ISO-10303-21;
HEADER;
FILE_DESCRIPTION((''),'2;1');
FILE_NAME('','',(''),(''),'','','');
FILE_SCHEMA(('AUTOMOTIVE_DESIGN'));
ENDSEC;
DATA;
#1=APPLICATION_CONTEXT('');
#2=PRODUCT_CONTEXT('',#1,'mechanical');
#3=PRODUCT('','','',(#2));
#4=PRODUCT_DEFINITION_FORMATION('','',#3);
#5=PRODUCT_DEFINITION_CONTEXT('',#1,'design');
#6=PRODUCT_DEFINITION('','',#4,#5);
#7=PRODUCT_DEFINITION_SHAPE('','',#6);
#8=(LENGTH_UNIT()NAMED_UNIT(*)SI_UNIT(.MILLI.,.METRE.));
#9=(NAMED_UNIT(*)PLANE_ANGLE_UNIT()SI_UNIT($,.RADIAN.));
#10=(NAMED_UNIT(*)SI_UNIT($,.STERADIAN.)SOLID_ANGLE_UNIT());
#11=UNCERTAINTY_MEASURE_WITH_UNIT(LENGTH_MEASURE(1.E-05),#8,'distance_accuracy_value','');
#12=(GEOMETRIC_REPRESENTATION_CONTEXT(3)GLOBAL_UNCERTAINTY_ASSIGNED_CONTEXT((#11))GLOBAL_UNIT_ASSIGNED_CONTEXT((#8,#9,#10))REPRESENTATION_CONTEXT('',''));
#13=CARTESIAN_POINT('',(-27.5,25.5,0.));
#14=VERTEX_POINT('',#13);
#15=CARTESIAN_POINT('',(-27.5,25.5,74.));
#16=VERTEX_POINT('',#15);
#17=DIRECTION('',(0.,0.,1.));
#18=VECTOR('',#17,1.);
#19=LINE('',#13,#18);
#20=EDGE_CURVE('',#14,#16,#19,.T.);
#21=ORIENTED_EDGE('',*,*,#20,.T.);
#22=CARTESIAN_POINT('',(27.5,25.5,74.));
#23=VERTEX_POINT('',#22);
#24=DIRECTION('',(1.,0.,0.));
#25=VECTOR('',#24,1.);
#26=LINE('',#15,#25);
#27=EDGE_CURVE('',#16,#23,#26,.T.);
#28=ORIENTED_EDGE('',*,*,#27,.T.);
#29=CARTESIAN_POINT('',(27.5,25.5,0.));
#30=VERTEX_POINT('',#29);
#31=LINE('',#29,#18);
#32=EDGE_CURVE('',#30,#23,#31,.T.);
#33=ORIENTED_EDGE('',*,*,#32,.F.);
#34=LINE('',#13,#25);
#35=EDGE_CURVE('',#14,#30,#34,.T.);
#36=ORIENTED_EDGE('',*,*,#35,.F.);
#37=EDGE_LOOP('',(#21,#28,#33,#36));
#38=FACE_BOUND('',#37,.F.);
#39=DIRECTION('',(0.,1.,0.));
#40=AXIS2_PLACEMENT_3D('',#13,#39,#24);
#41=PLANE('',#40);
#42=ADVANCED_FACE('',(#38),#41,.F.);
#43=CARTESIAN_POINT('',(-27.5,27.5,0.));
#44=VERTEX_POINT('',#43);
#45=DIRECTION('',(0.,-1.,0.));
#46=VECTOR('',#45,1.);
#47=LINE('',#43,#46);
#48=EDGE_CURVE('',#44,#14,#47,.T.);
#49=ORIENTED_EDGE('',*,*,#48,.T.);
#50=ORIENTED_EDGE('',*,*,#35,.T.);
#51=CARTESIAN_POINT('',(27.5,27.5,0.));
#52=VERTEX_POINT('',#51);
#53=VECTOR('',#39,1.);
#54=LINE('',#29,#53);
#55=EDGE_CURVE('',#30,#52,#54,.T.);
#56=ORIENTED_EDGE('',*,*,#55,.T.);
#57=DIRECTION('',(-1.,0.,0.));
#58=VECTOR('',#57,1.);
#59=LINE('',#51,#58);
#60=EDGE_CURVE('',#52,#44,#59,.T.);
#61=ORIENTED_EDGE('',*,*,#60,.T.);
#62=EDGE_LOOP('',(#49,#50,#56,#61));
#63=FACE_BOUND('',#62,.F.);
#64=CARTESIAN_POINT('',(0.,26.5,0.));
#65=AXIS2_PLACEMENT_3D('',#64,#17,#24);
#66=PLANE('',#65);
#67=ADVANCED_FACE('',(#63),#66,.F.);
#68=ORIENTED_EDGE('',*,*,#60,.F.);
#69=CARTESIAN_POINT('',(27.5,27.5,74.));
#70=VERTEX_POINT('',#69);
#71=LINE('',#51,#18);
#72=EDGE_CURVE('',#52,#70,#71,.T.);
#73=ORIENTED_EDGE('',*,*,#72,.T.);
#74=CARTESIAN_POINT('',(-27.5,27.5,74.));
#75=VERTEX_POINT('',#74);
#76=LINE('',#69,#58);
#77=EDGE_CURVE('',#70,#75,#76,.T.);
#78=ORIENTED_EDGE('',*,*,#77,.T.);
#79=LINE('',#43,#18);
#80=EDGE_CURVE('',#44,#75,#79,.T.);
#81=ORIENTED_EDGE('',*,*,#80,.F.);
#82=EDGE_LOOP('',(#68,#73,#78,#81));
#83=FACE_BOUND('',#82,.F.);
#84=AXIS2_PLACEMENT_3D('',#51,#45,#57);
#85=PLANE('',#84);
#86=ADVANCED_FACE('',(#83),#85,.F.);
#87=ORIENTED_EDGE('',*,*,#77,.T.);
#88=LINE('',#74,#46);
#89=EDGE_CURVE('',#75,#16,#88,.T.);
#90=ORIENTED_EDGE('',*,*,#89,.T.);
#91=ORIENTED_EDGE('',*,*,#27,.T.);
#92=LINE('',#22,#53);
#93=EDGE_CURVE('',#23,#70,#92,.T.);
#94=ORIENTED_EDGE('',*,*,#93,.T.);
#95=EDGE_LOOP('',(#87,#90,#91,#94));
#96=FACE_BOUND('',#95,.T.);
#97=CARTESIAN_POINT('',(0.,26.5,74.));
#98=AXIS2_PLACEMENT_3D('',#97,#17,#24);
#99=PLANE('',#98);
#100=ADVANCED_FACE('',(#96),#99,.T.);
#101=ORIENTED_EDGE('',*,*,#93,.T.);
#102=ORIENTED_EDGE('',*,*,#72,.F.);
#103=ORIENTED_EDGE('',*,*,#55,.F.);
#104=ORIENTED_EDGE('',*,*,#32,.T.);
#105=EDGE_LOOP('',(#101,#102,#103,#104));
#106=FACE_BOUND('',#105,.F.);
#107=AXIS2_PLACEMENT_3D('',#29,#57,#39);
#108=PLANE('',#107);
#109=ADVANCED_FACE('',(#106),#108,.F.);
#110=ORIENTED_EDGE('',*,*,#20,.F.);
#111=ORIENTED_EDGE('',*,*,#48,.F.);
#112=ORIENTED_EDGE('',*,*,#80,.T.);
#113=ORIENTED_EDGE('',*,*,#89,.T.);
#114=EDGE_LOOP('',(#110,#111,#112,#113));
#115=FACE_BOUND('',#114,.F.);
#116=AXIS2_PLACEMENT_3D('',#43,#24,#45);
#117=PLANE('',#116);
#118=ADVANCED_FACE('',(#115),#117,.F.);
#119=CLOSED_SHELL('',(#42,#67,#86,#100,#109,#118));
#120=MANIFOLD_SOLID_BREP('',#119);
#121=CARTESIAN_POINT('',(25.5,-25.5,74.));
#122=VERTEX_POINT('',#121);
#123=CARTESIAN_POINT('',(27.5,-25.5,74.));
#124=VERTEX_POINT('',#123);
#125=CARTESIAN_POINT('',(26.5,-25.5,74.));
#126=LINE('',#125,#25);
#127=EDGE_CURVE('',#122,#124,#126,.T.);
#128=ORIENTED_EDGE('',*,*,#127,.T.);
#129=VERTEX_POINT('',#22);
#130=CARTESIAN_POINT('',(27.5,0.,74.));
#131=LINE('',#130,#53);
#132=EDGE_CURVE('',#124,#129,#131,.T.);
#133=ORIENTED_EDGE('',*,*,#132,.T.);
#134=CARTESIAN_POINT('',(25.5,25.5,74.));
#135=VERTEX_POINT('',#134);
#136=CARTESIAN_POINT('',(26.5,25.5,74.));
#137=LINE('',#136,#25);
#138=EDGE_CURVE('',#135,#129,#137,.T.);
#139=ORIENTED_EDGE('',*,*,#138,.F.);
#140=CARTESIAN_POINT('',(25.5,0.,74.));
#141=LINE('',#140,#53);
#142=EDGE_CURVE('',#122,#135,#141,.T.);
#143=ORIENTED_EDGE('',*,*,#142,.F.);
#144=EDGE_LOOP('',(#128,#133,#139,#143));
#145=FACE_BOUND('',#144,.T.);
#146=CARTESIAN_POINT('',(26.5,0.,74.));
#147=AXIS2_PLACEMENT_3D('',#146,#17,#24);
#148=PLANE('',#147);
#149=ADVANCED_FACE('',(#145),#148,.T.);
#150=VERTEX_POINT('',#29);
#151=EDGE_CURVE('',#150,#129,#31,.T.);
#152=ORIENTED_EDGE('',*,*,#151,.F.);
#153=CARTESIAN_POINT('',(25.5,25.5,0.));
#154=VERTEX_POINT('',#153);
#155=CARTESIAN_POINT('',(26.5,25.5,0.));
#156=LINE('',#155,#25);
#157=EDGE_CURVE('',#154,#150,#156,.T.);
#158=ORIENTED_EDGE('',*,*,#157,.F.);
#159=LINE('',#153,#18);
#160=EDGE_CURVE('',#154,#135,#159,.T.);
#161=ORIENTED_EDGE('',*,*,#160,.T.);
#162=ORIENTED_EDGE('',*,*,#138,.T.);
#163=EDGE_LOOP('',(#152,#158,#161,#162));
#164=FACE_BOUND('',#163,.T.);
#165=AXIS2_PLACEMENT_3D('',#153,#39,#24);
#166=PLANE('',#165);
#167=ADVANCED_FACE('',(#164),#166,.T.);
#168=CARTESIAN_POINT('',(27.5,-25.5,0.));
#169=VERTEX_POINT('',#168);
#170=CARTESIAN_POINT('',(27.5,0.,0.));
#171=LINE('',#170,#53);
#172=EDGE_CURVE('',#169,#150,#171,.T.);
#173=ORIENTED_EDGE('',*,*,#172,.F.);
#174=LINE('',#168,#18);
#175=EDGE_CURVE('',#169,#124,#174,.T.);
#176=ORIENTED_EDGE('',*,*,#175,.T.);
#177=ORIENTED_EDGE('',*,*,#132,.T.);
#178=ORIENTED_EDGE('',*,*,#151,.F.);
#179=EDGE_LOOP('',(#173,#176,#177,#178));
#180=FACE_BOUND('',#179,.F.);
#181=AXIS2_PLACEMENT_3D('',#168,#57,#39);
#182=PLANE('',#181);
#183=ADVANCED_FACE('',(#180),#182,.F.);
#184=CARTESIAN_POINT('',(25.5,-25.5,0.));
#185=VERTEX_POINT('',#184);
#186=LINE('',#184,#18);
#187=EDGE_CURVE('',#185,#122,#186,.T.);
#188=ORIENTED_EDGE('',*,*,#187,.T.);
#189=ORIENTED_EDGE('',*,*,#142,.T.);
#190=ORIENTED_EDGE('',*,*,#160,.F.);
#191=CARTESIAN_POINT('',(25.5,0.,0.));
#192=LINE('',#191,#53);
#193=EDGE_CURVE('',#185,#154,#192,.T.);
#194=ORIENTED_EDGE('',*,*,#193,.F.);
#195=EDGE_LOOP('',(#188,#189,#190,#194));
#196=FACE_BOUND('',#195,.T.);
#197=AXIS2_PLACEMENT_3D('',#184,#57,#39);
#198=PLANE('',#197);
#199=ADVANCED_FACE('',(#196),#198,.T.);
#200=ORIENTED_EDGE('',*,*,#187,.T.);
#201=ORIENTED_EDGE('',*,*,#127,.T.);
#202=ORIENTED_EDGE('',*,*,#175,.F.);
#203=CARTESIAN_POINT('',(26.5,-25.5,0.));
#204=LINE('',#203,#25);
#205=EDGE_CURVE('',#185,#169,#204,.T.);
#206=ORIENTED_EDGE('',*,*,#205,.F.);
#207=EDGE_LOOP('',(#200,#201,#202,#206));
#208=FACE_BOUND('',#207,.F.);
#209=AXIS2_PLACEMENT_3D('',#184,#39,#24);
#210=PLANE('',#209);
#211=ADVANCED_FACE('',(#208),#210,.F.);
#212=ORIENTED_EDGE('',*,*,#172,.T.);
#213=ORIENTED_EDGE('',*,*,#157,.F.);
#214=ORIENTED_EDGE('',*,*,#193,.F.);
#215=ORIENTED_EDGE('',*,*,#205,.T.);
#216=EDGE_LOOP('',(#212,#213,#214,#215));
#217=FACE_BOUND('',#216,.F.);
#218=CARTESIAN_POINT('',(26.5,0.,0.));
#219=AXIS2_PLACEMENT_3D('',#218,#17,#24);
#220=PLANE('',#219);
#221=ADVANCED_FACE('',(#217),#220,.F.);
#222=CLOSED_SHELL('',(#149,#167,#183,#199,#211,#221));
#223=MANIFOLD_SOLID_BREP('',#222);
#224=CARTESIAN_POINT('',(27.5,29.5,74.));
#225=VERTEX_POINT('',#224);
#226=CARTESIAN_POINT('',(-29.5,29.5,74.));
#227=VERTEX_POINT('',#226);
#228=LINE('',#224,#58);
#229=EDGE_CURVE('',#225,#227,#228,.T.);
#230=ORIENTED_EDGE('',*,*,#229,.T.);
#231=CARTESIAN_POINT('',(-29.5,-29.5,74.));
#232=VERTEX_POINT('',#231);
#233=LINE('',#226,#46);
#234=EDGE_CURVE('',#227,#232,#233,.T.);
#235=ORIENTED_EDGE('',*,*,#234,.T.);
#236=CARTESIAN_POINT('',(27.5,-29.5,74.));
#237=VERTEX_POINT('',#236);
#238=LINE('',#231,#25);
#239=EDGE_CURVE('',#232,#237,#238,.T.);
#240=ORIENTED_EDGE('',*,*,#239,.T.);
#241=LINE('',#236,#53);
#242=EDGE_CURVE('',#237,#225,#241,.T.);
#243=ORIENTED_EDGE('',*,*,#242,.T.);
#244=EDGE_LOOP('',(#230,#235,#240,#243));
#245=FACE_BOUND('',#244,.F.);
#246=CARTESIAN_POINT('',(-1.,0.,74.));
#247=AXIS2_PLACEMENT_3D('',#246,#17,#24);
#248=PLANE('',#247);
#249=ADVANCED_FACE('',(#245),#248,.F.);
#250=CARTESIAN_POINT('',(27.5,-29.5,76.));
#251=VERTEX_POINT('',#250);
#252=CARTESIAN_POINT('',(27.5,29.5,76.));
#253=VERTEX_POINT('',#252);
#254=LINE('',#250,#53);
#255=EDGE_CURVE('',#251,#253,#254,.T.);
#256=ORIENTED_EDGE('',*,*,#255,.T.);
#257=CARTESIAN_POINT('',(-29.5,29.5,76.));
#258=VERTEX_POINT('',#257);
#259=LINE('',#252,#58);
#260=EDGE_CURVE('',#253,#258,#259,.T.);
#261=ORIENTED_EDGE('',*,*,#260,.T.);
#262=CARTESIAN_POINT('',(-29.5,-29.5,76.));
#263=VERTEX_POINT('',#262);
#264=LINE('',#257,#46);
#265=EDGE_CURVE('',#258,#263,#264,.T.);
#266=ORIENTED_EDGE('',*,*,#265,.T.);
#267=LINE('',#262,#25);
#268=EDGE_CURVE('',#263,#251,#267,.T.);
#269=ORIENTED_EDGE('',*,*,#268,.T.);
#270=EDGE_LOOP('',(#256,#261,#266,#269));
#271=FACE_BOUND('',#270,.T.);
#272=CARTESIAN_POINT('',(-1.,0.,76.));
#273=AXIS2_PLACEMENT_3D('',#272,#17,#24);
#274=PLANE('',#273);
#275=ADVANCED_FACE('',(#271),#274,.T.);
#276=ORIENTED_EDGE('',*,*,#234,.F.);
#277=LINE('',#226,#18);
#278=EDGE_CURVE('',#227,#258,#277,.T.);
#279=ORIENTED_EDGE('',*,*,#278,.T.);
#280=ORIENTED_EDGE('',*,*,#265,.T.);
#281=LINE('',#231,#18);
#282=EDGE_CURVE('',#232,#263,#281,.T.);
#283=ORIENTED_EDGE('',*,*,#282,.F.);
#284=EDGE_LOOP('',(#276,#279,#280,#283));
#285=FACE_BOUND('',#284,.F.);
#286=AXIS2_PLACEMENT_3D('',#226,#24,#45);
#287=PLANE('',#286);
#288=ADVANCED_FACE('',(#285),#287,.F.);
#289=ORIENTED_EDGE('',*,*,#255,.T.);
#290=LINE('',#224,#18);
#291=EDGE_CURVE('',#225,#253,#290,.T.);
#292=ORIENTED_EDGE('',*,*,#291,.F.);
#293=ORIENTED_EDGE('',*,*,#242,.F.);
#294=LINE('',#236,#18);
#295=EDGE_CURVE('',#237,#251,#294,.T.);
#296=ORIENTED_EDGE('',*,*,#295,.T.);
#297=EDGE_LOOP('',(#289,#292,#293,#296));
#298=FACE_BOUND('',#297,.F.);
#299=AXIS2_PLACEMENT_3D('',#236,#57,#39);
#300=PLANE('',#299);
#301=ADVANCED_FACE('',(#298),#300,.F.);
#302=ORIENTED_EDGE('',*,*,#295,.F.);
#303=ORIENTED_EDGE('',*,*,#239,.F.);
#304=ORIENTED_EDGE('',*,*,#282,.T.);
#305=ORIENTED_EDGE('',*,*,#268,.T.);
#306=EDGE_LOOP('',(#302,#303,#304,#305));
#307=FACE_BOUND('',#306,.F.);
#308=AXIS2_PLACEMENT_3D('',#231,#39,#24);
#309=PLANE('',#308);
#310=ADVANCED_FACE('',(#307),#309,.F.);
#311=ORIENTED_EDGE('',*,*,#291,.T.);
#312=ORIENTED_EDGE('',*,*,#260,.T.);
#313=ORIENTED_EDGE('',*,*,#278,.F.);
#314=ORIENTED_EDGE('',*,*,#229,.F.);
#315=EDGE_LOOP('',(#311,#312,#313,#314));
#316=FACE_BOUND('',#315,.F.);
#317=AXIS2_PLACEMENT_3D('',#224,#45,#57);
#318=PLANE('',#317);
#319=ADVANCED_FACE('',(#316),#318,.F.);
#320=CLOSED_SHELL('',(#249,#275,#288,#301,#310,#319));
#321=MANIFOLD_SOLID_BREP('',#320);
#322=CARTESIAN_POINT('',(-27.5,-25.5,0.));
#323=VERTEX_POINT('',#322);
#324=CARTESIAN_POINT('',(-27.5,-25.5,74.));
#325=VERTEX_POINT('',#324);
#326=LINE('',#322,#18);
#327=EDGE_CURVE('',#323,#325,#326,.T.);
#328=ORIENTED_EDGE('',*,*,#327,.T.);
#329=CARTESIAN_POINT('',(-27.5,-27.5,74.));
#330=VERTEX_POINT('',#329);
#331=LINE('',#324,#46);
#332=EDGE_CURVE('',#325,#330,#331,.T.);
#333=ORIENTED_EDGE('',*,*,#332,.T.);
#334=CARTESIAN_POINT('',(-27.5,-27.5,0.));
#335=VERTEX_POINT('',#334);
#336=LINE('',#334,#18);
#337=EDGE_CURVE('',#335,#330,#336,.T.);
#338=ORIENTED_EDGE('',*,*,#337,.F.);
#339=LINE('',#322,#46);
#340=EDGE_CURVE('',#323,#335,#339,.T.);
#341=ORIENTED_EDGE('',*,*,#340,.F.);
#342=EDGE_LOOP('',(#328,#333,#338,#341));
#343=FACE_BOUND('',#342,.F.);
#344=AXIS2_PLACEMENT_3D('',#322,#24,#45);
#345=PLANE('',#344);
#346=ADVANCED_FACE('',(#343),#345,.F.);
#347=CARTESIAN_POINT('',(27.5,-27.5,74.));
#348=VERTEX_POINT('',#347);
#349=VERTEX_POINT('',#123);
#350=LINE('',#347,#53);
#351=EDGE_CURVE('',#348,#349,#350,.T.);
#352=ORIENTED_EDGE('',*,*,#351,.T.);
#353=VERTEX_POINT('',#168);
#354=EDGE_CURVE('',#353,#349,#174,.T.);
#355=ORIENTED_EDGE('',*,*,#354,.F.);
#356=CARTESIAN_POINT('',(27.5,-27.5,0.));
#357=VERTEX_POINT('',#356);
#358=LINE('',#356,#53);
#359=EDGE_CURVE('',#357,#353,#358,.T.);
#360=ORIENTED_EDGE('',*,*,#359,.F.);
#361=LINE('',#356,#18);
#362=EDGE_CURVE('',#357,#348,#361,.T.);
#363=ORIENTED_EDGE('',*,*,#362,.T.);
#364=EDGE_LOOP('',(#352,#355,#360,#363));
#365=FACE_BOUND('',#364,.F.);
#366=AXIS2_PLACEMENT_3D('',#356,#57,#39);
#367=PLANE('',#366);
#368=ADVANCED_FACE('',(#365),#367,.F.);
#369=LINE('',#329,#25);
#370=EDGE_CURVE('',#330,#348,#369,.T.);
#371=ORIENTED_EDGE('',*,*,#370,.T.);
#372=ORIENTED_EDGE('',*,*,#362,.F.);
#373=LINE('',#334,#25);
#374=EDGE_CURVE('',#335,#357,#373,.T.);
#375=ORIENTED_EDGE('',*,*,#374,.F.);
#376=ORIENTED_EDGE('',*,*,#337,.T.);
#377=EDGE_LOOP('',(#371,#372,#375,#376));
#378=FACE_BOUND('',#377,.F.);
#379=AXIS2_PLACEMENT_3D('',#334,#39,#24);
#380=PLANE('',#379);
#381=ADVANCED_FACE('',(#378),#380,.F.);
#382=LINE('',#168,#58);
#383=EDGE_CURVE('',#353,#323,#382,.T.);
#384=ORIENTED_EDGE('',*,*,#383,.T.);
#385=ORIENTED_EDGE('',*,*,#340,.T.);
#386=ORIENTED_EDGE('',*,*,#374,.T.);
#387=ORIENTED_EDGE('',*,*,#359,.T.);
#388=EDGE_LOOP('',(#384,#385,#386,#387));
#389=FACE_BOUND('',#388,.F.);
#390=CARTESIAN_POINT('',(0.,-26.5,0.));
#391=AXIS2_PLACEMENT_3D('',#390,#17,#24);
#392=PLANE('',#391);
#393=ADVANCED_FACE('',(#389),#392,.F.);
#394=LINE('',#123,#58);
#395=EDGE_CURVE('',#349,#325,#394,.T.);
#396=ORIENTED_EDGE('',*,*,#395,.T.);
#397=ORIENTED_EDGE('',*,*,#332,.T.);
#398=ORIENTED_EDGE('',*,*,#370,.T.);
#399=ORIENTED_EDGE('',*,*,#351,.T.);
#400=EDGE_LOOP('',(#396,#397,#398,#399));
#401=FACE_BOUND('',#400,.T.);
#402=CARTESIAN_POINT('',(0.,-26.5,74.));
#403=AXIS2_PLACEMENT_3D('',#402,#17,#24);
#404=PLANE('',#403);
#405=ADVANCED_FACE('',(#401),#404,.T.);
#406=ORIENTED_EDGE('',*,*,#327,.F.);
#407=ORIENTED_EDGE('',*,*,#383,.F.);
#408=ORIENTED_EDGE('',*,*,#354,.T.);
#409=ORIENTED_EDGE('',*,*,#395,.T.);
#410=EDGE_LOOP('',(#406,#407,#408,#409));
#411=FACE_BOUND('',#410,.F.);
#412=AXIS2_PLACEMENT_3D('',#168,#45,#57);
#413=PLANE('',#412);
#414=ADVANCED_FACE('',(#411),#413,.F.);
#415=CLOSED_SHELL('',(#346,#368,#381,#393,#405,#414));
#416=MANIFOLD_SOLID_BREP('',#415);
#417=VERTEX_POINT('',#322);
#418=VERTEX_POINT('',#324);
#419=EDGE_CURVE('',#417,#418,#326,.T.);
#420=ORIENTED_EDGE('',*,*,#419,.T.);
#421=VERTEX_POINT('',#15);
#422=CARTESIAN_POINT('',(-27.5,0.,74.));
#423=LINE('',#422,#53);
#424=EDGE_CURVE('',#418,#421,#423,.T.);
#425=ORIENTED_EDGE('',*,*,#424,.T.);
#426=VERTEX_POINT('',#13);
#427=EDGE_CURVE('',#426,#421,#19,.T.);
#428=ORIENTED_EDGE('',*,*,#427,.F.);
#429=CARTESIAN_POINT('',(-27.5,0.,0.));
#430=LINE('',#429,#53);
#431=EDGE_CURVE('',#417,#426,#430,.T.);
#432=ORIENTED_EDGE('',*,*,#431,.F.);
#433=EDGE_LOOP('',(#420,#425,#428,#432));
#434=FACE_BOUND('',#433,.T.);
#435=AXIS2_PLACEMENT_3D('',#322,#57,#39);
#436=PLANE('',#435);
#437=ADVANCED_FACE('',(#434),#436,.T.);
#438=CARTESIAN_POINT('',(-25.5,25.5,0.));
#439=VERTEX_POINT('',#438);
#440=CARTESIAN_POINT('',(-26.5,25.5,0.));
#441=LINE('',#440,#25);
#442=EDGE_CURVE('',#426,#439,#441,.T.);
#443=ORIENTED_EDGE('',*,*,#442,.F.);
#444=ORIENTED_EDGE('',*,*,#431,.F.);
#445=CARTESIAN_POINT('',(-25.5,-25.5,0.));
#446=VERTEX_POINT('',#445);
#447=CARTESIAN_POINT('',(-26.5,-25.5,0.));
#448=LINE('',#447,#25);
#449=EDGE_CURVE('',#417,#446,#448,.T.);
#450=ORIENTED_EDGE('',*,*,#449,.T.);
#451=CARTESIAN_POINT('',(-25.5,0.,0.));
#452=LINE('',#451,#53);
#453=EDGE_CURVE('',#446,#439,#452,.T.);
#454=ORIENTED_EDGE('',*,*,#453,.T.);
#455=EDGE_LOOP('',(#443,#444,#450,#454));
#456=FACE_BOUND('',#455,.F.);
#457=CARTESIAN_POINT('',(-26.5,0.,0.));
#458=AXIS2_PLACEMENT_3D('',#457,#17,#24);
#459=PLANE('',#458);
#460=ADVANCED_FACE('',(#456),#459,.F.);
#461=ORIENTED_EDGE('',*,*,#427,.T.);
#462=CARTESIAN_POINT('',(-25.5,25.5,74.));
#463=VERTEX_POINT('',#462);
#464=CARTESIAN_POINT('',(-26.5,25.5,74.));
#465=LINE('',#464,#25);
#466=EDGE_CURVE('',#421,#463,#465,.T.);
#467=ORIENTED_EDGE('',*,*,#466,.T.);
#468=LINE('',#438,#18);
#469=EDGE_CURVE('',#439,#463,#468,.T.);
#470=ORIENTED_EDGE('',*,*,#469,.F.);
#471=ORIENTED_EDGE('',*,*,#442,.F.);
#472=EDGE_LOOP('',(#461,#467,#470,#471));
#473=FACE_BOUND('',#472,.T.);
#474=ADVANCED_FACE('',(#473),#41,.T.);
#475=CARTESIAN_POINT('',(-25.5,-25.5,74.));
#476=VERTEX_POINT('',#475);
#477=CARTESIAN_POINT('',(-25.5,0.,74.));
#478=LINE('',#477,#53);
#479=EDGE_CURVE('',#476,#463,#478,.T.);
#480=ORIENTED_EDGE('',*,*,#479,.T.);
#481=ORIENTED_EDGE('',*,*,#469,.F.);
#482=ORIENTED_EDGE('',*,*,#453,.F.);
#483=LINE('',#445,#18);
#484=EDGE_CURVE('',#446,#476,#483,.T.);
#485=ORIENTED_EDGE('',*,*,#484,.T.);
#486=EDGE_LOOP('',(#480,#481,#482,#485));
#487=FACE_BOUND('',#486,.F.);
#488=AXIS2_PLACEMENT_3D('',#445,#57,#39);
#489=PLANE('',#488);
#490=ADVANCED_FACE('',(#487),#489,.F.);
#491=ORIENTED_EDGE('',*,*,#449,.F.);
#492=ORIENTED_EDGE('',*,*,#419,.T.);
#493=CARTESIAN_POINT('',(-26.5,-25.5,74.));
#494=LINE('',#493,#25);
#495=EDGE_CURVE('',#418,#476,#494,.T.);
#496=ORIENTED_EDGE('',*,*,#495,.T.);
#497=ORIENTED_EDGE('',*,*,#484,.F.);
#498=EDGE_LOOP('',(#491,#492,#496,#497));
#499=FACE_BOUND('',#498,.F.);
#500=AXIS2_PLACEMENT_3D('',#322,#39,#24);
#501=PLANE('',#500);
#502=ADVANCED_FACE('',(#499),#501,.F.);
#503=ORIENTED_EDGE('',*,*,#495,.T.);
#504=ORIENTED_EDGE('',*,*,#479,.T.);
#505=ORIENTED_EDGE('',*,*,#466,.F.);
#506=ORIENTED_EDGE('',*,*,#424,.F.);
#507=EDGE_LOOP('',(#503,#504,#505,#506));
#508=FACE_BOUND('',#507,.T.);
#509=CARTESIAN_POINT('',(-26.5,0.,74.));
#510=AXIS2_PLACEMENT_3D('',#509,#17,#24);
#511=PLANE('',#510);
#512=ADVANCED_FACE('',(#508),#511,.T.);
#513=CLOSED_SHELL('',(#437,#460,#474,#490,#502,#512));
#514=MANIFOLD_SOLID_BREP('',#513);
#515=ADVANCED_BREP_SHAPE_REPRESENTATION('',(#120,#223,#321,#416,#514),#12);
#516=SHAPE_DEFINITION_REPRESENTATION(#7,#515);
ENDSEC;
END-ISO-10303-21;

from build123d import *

# Parameters (mm, degrees)
F1_DEPTH = 74
F0_W     = 2
F0_H     = 51
F2_DEPTH = 74
F3_DEPTH = 74
F4_DEPTH = 74
F7_DEPTH = 2


with BuildPart() as f1:
    # F0 (on Top) → F1 (new body)
    with BuildSketch(Plane.XY):
        Polygon((27.5, 27.5), (-27.5, 27.5), (-27.5, 25.5), (-25.5, 25.5), (25.5, 25.5), (27.5, 25.5), align=None)
    extrude(amount=F1_DEPTH)


with BuildPart() as f2:
    # F0 (on Top) → F2 (new body)
    with BuildSketch(Plane.XY):
        with Locations((-26.5, 0)):
            Rectangle(F0_W, F0_H)
    extrude(amount=F2_DEPTH)


with BuildPart() as f3:
    # F0 (on Top) → F3 (new body)
    with BuildSketch(Plane.XY):
        Polygon((-25.5, -25.5), (-27.5, -25.5), (-27.5, -27.5), (27.5, -27.5), (27.5, -25.5), (25.5, -25.5), align=None)
    extrude(amount=F3_DEPTH)


with BuildPart() as f4:
    # F0 (on Top) → F4 (new body)
    with BuildSketch(Plane.XY):
        with Locations((26.5, 0)):
            Rectangle(F0_W, F0_H)
    extrude(amount=F4_DEPTH)


with BuildPart() as f7:
    # F6 (on offset) → F7 (new body)
    with BuildSketch(Plane.XY.offset(74)):
        Polygon((27.5, -27.5), (27.5, 27.5), (27.5, 29.5), (-29.5, 29.5), (-29.5, -29.5), (27.5, -29.5), align=None)
    extrude(amount=F7_DEPTH)


solid = Compound([f1.part, f2.part, f3.part, f4.part, f7.part])
